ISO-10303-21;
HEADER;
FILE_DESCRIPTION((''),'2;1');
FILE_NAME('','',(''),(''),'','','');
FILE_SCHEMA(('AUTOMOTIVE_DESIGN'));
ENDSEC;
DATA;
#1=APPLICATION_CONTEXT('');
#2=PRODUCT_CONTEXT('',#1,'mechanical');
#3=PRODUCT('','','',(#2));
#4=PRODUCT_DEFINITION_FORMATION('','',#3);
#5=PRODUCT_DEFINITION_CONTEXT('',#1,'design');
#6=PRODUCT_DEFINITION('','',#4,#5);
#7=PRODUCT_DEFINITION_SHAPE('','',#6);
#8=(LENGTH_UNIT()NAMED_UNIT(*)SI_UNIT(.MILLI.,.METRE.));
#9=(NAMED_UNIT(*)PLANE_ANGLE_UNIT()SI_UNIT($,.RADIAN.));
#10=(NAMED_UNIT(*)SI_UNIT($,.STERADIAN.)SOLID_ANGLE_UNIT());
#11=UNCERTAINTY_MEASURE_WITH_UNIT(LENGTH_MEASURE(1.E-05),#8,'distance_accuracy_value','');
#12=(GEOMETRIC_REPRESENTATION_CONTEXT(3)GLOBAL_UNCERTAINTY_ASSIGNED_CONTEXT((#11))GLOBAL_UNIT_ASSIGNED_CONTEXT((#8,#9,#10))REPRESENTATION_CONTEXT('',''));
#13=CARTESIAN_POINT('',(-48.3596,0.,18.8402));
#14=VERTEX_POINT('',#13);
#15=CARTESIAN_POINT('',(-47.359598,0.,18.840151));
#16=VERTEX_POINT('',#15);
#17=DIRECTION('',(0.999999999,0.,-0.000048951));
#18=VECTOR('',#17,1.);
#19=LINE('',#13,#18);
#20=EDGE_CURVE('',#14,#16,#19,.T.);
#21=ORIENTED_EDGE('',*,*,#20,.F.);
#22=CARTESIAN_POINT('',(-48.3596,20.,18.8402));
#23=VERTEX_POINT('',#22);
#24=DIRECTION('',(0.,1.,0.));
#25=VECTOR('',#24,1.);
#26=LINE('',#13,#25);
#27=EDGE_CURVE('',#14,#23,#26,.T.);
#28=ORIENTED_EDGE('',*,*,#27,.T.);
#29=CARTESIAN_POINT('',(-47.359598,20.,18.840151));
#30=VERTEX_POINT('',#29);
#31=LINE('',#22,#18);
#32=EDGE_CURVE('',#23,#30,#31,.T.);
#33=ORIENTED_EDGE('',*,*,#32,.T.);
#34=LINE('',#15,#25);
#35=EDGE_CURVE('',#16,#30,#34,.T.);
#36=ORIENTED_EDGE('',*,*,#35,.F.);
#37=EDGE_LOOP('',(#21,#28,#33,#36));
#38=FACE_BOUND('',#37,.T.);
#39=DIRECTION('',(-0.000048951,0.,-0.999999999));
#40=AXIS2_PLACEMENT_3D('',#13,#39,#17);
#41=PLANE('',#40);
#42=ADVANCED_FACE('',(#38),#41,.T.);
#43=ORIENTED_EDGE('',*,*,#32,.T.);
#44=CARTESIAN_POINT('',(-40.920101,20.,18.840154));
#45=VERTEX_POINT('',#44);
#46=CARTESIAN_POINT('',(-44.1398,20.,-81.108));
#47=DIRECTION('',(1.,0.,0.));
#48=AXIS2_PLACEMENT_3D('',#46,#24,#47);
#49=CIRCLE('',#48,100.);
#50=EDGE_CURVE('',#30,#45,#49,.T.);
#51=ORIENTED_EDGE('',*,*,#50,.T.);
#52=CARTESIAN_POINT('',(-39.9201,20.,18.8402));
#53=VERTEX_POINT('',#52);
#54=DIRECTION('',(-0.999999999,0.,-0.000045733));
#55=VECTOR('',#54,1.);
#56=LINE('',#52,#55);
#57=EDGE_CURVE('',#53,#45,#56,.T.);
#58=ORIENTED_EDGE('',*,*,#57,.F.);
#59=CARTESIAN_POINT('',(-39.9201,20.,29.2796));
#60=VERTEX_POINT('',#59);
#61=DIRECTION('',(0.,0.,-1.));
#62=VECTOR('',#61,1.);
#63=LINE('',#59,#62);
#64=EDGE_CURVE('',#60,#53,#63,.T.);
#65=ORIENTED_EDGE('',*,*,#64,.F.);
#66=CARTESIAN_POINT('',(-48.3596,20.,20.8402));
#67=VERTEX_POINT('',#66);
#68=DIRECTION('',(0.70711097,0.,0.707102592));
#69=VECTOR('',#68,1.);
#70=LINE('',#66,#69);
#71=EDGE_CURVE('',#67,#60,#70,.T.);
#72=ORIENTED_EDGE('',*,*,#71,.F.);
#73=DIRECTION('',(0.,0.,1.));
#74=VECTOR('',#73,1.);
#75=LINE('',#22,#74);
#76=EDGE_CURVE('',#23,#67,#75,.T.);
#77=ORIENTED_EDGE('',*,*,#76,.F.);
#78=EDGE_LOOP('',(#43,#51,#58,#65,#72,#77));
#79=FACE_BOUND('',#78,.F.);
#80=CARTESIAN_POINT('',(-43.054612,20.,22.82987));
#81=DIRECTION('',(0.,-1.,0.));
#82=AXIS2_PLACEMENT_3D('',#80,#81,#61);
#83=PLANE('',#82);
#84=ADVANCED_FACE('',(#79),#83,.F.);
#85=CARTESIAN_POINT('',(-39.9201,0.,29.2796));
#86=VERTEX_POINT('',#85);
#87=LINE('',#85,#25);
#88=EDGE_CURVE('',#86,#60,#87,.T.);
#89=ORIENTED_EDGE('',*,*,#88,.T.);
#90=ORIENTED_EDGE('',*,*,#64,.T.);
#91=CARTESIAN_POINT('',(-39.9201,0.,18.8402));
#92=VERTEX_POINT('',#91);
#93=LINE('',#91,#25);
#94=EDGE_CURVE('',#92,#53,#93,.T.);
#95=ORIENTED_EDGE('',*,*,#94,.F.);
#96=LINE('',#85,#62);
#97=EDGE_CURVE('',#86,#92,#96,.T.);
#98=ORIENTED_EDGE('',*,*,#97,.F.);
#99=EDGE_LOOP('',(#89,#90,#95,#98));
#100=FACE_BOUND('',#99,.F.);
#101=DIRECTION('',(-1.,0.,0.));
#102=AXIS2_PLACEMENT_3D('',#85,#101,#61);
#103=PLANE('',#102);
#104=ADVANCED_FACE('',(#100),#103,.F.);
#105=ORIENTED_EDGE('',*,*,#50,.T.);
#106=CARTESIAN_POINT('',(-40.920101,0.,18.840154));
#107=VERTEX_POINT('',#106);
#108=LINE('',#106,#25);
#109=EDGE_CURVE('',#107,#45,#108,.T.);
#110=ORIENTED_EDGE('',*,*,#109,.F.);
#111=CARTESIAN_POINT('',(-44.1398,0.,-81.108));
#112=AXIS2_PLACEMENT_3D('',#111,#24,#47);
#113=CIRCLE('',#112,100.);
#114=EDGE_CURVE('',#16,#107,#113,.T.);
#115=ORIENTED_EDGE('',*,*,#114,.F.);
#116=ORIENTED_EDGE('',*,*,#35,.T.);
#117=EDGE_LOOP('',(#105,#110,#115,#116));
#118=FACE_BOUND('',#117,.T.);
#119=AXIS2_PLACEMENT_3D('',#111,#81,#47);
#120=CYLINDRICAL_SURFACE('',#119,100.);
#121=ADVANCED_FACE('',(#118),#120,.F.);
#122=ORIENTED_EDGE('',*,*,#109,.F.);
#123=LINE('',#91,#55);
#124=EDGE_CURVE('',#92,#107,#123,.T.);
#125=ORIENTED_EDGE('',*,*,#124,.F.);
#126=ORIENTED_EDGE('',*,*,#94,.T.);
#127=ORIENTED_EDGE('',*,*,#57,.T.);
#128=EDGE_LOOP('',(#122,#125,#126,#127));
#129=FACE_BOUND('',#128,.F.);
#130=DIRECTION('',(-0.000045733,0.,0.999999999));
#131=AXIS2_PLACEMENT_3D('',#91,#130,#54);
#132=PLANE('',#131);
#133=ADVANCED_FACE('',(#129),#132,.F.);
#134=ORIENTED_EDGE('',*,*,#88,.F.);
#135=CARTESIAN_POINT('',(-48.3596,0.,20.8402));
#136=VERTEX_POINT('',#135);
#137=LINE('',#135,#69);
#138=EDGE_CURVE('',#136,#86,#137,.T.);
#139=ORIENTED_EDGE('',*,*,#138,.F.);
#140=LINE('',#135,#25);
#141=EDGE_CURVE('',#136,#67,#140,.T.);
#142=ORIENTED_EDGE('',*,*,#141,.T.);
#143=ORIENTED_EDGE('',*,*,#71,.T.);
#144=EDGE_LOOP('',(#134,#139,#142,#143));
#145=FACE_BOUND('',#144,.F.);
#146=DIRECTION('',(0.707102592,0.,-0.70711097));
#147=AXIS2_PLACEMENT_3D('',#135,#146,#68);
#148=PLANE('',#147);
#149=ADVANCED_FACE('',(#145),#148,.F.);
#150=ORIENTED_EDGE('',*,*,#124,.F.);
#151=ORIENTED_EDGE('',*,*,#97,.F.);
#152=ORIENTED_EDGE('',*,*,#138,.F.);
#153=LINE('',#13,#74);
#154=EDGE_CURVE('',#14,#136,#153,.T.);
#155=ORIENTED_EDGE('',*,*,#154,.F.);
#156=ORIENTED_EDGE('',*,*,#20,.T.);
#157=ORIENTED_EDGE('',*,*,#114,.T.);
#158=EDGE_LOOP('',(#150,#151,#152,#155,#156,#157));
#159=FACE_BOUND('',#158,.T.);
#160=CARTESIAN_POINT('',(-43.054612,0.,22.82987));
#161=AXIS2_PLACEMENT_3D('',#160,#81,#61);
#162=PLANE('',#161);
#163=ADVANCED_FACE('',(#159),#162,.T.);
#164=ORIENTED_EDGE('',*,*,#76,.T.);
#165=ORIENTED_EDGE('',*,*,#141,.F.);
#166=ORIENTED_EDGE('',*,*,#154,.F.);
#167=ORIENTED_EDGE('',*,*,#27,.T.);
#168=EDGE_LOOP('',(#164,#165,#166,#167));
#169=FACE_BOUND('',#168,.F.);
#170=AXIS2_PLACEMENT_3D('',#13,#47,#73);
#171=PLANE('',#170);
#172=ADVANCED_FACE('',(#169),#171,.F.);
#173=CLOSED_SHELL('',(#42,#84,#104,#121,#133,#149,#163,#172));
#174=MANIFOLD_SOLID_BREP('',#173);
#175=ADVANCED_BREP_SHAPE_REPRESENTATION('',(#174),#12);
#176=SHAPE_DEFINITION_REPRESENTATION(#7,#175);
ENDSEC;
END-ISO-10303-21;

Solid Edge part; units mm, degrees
sketch "Sketch1" plane through (0, 0, 0) normal (0, -1, 0) x (1, 0, 0)
  line L0 (-48.3596, 18.8402) -> (-47.3596, 18.8402)
  arc A0 (-47.3596, 18.8402) -> (-40.9201, 18.8402) centre (-44.1398, -81.108) cw
  line L1 (-39.9201, 18.8402) -> (-40.9201, 18.8402)
  line L2 (-39.9201, 29.2796) -> (-39.9201, 18.8402)
  line L3 (-48.3596, 20.8402) -> (-39.9201, 29.2796)
  line L4 (-48.3596, 18.8402) -> (-48.3596, 20.8402)
  dimension "D1" = 2
  dimension "D2" = 1
  dimension "D3" = 1
  dimension "D4" = 100
extrude "Protrusion1" add sketch "Sketch1" against normal blind 20
